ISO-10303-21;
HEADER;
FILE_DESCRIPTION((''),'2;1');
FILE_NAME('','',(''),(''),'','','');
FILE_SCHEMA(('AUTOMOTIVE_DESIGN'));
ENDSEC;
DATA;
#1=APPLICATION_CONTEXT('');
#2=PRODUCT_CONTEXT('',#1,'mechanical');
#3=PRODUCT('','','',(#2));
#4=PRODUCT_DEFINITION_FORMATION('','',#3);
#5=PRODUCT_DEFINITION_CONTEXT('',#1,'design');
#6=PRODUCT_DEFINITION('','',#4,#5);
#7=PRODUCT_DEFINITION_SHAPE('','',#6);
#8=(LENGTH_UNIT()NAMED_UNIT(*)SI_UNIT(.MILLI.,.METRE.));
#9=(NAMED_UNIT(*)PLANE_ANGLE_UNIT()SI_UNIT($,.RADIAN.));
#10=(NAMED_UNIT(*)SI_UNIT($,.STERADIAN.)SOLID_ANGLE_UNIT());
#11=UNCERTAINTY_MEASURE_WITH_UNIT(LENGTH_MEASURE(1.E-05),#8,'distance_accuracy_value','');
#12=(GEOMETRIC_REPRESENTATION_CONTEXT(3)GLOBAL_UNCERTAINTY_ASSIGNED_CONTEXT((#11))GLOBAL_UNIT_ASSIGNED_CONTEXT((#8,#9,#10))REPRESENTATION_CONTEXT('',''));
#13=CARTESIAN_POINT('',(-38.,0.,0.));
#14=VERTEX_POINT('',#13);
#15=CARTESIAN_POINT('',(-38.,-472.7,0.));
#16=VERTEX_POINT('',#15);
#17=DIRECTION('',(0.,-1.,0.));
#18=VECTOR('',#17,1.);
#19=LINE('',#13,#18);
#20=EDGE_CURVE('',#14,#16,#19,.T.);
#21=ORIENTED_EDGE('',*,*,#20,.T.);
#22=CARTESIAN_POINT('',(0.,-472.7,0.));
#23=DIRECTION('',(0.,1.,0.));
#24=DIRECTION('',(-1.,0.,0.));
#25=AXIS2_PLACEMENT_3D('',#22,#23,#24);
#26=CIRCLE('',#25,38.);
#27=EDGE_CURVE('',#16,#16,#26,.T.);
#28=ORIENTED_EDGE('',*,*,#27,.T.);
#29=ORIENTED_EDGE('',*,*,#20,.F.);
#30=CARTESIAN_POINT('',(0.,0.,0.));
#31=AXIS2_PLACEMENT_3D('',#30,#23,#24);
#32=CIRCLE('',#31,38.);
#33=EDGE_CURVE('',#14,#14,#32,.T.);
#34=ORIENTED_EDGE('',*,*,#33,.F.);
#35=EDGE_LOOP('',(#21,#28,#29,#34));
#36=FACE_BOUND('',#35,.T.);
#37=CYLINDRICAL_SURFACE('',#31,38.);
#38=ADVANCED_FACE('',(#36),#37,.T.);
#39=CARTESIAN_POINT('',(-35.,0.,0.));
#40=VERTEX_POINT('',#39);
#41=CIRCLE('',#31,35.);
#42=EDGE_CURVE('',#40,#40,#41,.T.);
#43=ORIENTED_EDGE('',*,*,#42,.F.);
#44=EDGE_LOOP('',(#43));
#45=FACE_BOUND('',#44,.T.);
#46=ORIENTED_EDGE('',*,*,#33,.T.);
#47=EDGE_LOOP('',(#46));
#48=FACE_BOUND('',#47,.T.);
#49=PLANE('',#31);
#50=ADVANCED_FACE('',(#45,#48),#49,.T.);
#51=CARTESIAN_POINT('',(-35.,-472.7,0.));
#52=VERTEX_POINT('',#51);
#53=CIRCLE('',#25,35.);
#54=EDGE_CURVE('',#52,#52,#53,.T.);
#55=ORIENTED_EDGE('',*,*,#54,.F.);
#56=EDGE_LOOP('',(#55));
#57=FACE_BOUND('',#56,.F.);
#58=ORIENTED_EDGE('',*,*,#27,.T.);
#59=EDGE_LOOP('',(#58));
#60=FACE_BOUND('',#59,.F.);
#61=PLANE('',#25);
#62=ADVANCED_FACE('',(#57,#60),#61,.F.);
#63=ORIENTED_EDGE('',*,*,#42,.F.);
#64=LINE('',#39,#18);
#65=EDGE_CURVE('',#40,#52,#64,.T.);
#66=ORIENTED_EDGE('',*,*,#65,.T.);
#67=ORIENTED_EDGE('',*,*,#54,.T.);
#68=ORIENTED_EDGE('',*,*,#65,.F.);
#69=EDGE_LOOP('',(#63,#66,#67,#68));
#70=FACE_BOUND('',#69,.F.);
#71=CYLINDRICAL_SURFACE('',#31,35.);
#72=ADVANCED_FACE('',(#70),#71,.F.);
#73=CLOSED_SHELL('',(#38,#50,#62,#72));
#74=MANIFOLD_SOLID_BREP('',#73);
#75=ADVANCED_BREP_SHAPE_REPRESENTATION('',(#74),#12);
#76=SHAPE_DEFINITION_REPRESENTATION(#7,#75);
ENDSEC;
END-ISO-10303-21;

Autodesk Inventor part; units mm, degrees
ref_plane "YZ Plane" through (0, 0, 0) normal (1, 0, 0) x (0, 1, 0)
ref_plane "XZ Plane" through (0, 0, 0) normal (0, 1, 0) x (-1, 0, 0)
ref_plane "XY Plane" through (0, 0, 0) normal (0, 0, 1) x (1, 0, 0)
sketch "Sketch1" plane through (0, 0, 0) normal (0, 1, 0) x (-1, 0, 0)
  circle A0 centre (0, 0) radius 38
  circle A1 centre (0, 0) radius 35
  dimension "d0" = 76
  dimension "d1" = 3
extrude "Extrusion1" add sketch "Sketch1" against normal blind 472.7
properties part number "TZS 0933 FDS tube 3" material "Steel"
